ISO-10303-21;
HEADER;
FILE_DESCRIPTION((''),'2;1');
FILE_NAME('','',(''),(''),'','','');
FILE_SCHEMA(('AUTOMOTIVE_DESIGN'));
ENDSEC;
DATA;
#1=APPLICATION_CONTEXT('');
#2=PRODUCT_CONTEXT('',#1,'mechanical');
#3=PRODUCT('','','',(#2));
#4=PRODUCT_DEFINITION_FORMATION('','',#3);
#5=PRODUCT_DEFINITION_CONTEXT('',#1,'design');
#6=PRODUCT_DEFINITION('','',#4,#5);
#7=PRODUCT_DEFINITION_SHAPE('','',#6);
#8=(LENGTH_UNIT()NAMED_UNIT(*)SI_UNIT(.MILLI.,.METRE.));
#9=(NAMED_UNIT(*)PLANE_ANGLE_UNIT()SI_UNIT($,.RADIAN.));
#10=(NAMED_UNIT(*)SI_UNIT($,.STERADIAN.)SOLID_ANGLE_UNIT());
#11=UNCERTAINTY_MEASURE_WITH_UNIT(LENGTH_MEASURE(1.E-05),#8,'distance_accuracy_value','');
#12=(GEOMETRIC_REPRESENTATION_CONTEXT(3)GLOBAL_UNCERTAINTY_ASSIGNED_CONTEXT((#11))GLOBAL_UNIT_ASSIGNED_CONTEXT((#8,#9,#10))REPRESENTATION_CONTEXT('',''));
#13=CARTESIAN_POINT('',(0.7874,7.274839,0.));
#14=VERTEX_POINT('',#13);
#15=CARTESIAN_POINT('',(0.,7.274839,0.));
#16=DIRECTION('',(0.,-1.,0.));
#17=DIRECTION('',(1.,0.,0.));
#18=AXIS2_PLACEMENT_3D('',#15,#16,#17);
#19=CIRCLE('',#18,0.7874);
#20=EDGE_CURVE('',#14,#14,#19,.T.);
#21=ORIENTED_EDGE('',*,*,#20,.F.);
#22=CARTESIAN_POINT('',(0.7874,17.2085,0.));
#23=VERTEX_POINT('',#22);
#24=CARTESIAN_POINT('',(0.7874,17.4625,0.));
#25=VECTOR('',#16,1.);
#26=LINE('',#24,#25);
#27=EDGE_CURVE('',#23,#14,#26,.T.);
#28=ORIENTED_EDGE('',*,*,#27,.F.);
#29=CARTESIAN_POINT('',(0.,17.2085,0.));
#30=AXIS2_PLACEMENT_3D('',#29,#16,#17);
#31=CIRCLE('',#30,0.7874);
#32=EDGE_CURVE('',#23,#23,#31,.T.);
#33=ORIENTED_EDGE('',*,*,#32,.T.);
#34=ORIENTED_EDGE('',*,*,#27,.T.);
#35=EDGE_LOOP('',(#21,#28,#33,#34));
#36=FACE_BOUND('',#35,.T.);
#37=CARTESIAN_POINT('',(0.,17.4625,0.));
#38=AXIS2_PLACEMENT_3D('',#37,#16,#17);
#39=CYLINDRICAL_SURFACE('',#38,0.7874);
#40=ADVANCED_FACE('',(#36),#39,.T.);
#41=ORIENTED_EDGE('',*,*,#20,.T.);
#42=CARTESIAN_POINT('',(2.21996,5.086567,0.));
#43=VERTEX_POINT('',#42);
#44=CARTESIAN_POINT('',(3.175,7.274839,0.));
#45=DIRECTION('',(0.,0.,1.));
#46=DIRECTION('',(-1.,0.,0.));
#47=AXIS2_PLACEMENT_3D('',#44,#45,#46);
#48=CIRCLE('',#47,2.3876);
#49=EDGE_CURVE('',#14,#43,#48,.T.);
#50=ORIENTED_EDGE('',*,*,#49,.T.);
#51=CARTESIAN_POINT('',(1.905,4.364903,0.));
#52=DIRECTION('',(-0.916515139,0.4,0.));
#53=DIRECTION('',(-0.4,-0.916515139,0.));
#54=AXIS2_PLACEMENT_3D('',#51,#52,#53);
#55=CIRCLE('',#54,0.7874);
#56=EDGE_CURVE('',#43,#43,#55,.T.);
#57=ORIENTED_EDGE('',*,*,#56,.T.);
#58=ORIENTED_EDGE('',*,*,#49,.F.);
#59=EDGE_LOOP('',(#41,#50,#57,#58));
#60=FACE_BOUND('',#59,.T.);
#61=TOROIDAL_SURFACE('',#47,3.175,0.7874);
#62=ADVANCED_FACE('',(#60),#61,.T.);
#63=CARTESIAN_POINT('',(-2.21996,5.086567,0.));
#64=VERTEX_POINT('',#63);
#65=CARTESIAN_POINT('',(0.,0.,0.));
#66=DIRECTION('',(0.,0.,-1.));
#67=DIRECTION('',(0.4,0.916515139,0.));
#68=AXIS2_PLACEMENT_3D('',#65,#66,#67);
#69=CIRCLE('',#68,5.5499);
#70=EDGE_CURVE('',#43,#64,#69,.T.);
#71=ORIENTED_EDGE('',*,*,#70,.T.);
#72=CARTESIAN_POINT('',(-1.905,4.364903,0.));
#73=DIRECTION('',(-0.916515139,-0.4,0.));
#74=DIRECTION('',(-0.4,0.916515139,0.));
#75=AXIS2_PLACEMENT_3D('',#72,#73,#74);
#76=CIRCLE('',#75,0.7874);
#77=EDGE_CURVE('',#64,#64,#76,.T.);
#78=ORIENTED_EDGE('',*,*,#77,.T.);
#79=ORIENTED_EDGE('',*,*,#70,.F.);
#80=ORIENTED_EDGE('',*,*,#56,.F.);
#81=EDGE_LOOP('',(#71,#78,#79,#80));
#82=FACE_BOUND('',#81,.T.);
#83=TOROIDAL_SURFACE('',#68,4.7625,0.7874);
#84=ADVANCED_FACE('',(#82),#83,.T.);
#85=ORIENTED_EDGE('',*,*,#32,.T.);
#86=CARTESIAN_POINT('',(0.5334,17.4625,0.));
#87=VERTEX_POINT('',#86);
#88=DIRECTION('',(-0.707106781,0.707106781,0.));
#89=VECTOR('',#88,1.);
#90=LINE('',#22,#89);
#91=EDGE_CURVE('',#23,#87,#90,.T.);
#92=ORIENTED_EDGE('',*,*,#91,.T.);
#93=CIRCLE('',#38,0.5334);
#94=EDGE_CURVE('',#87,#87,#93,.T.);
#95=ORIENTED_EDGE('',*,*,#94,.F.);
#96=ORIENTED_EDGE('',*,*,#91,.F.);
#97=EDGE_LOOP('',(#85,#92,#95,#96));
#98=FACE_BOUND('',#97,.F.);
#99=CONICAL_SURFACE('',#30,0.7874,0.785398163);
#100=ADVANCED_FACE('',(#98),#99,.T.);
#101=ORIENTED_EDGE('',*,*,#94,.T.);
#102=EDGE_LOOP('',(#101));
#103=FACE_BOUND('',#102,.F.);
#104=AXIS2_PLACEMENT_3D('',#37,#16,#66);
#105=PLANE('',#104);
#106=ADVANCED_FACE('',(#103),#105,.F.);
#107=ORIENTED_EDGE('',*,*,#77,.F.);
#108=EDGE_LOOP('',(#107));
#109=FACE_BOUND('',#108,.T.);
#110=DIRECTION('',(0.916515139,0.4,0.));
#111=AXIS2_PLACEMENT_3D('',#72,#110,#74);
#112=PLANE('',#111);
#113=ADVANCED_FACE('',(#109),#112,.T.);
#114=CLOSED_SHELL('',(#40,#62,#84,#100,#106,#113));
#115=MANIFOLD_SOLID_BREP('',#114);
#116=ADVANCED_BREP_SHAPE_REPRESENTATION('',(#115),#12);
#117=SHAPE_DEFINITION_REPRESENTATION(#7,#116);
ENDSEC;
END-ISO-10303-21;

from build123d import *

# Parameters (mm, degrees)
F2_R    = 0.7874
F4_SIZE = 0.254


with BuildPart() as f3:
    # F3: sweep along a path in F0
    with BuildLine(Plane.XY) as f3_path:
        Line((0, 17.4625), (0, 7.2748389157))
        ThreePointArc((0, 7.2748389157), (0.5186044158, 5.5358197957), (1.905, 4.3649033494))
        ThreePointArc((1.905, 4.3649033494), (0, -4.7625), (-1.905, 4.3649033494))
    # F2 (on plane+point) → F3 (sweep)
    with BuildSketch(Plane.XZ.offset(-17.4625)):
        Circle(F2_R)
    sweep(path=f3_path.line)

    # F4
    f4_edges = [f3.edges().sort_by_distance(p)[0] for p in [
        (-0.7874, 17.4625, 0),
    ]]
    chamfer(f4_edges, length=F4_SIZE)


solid = f3.part
